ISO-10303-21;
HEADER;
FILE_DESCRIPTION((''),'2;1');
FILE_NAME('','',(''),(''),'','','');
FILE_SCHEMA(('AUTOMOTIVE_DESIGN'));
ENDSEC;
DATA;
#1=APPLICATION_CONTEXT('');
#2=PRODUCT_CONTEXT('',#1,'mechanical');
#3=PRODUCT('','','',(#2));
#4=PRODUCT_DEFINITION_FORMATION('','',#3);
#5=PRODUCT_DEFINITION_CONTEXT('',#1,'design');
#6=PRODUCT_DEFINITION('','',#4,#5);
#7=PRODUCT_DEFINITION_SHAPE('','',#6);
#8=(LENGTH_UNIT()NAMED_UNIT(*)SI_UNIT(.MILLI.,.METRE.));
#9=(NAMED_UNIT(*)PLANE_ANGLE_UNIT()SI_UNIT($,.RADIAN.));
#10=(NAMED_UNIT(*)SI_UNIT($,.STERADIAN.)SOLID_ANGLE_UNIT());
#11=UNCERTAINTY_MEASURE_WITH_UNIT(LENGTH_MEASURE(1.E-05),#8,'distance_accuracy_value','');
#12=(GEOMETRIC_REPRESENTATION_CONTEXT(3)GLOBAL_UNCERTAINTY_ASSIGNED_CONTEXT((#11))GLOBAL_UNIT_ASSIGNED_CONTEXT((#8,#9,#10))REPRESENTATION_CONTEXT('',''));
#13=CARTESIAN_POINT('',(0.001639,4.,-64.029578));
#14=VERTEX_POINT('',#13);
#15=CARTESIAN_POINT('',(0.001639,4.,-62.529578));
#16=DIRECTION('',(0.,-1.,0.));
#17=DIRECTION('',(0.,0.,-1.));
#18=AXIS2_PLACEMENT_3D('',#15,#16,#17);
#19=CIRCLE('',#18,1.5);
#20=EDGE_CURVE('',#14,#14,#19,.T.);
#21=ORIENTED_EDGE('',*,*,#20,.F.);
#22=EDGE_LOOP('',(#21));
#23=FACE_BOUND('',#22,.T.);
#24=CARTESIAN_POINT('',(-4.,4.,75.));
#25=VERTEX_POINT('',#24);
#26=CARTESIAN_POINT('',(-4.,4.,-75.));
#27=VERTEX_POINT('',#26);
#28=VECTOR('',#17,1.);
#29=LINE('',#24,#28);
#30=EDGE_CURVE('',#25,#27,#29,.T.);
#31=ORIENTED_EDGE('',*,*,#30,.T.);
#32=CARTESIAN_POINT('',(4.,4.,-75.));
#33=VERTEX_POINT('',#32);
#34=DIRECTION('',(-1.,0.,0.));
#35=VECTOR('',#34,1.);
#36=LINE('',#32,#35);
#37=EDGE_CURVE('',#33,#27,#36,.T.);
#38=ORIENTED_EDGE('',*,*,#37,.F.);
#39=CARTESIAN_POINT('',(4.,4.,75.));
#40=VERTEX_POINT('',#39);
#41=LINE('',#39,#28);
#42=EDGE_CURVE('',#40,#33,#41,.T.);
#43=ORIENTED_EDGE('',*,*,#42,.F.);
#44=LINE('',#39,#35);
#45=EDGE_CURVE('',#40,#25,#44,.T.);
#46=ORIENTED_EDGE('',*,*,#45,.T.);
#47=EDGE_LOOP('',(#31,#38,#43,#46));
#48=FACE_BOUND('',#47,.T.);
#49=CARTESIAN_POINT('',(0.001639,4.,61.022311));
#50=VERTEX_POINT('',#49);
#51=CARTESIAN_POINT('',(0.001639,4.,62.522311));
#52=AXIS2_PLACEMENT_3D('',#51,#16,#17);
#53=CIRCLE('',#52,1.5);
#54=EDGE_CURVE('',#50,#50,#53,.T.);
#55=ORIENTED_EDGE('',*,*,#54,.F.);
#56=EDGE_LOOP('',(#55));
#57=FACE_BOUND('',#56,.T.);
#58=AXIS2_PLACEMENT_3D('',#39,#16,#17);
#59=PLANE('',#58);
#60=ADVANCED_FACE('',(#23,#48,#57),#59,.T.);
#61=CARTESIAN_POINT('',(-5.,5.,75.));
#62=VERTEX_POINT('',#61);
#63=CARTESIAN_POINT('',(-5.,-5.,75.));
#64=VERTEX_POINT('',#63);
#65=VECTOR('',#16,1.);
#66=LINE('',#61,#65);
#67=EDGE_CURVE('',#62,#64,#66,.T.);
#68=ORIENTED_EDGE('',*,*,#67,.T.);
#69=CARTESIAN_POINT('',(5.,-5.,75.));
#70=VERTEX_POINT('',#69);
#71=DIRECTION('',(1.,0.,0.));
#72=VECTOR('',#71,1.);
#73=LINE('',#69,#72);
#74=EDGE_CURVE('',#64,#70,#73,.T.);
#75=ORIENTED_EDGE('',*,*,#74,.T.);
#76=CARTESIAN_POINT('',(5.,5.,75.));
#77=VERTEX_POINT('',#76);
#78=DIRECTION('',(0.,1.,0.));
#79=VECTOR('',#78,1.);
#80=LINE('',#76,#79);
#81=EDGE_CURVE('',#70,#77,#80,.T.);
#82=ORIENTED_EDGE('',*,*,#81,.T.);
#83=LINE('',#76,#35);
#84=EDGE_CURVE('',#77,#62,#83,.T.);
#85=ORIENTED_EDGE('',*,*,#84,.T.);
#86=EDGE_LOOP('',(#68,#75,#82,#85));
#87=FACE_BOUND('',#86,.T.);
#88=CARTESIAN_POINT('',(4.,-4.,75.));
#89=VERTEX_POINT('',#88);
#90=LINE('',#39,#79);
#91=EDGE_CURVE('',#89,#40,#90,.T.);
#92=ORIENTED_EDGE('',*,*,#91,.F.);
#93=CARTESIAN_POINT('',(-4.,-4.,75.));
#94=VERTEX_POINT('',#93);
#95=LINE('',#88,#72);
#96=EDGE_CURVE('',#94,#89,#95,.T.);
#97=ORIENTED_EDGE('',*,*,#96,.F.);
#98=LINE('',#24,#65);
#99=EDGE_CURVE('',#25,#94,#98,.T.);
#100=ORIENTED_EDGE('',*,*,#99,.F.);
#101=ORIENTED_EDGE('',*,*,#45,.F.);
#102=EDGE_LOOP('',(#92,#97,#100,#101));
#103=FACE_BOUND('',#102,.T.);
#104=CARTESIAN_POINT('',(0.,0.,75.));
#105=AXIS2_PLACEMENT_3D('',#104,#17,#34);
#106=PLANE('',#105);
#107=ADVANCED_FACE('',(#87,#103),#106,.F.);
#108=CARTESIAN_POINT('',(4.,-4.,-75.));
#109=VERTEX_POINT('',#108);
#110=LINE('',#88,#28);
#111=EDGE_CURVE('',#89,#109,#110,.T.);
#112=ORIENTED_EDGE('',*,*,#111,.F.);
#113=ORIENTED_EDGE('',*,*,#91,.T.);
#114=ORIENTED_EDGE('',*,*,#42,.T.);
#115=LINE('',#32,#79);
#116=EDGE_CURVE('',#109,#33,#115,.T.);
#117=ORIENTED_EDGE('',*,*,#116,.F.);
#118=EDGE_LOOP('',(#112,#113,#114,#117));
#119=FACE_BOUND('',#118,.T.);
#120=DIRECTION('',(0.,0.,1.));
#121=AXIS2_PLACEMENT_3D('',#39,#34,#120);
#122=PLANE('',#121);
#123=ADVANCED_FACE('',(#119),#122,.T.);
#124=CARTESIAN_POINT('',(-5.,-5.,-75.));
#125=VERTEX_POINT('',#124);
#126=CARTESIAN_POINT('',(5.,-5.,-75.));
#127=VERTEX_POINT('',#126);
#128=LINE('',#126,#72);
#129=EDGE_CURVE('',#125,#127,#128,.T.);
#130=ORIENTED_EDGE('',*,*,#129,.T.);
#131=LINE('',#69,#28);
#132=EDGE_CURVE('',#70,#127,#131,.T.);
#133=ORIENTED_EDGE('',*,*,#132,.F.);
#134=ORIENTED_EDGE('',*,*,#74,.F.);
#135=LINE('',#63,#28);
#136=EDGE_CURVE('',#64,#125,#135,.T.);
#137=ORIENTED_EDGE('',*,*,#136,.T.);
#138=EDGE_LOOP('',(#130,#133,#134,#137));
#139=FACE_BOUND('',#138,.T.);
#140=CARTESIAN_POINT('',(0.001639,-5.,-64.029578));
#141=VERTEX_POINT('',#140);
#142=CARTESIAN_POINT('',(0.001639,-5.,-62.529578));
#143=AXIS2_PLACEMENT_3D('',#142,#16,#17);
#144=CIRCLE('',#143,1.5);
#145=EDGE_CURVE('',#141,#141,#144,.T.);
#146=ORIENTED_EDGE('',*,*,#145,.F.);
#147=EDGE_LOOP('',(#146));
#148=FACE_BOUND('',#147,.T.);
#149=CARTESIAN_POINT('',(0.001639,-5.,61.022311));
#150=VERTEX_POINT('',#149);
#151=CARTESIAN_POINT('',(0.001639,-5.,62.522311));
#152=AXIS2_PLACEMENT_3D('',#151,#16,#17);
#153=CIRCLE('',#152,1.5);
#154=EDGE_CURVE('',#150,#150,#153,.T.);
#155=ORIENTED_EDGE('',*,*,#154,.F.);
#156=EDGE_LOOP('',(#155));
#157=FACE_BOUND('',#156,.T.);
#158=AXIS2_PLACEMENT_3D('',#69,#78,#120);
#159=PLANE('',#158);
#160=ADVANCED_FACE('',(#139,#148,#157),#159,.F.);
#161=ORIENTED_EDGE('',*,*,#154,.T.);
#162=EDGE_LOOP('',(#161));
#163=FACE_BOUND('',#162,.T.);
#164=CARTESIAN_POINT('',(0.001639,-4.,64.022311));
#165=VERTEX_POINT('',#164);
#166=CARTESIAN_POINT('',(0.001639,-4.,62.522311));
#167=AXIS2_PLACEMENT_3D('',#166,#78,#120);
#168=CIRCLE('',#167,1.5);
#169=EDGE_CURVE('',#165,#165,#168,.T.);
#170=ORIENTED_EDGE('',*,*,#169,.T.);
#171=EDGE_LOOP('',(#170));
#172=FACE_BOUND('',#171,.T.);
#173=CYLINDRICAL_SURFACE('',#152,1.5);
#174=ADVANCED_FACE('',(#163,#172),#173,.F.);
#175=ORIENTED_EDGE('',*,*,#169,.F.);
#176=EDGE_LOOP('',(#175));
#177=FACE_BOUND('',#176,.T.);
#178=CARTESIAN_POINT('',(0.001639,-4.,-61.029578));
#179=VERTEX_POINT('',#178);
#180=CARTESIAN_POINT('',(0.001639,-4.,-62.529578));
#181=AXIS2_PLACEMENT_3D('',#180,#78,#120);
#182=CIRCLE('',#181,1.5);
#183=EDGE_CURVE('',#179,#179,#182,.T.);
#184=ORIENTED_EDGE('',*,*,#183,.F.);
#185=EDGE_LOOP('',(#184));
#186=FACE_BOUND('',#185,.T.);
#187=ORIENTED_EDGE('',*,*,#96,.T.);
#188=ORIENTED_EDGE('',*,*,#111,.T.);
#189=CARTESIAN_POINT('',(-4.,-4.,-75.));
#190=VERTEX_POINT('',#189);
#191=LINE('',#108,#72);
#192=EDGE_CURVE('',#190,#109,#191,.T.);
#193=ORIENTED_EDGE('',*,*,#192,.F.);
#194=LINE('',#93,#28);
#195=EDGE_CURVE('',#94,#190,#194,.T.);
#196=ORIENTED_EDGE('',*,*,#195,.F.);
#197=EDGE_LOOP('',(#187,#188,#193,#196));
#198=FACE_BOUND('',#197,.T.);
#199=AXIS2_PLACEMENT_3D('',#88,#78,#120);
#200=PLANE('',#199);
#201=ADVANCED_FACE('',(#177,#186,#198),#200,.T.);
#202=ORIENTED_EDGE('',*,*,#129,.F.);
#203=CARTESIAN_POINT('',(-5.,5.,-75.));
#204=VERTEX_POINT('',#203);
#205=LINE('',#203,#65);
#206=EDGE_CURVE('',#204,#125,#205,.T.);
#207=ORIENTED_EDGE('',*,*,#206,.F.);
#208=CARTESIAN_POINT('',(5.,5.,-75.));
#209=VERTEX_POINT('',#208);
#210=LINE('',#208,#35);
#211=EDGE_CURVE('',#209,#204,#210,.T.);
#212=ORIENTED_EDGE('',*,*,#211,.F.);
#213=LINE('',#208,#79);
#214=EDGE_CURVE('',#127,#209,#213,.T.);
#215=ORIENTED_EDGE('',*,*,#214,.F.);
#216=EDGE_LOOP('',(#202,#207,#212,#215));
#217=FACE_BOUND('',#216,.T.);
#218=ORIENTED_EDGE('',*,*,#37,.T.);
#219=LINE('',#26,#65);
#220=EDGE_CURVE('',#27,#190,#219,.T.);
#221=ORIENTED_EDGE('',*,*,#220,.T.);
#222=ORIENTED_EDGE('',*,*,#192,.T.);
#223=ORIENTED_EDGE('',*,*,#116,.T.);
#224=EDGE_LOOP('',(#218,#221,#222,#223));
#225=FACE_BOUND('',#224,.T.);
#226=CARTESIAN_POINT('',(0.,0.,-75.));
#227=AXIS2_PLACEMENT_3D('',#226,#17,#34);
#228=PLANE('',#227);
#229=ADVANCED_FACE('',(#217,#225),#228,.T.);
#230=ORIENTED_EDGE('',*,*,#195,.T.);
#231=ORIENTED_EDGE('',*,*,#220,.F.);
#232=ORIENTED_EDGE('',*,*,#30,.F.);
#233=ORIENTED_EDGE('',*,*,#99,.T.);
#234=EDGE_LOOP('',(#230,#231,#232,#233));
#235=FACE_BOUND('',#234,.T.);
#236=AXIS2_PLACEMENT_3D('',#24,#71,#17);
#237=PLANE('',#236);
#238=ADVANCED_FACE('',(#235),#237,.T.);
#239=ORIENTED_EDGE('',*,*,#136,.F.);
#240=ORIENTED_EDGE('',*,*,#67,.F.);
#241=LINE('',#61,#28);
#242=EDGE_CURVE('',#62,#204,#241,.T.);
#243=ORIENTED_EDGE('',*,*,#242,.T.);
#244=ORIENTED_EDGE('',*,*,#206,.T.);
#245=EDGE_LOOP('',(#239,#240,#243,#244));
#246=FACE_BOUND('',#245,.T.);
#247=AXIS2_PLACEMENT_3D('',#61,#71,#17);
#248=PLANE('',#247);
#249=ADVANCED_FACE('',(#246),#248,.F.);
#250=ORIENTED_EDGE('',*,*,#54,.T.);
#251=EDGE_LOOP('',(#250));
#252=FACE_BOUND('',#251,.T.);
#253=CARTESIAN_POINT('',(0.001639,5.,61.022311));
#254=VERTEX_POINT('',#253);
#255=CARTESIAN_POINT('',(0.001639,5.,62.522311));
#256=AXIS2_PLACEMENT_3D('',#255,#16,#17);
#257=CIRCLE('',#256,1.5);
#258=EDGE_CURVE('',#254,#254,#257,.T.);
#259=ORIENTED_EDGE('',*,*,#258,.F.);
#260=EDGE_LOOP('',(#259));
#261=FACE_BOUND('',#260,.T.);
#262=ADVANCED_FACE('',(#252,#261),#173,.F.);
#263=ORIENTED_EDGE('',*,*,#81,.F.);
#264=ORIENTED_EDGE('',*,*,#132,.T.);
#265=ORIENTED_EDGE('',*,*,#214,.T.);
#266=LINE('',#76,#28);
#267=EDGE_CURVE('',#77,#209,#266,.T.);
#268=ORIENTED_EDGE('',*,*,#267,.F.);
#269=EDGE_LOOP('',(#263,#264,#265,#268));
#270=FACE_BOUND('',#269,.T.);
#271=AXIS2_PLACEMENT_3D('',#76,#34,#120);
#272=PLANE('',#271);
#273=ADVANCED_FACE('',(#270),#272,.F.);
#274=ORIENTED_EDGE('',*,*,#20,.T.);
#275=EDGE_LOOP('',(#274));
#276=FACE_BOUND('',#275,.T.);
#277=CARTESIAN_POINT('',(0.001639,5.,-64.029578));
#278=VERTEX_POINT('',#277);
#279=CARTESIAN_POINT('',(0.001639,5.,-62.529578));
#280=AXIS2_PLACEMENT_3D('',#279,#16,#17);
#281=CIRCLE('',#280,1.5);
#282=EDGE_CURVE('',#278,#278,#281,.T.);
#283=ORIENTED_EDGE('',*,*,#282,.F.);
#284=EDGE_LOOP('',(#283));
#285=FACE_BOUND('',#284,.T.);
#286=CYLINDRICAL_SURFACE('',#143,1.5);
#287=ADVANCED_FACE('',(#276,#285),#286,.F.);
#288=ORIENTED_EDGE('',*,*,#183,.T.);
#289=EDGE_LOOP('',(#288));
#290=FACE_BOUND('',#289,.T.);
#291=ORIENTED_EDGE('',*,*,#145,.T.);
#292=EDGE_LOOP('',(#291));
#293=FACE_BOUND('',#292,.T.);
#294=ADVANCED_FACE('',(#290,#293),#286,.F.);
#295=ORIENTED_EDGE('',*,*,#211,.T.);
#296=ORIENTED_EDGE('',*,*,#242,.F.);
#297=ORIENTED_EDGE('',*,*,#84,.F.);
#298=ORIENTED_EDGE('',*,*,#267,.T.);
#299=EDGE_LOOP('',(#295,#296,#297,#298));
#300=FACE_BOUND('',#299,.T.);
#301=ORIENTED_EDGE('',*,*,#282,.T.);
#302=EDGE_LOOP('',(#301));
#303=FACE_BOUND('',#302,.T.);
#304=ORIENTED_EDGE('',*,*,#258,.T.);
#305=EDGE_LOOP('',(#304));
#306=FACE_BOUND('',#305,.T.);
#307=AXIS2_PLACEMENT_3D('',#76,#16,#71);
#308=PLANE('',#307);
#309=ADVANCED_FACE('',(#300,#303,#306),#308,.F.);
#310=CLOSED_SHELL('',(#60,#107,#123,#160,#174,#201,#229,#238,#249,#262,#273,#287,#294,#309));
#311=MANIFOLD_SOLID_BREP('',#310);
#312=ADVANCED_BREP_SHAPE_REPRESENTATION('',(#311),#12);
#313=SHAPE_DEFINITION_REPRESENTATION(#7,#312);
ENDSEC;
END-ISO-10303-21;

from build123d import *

# Parameters (mm, degrees)
SKETCH_1_W      = 10
SKETCH_1_H      = 10
SKETCH_1_W_2    = 8
SKETCH_1_H_2    = 8
EXTRUDE_1_DEPTH = 75
HOLE_WIZARD_1_D = 3


with BuildPart() as part:
    # 草图1 → 凸台-拉伸1 (new, symmetric)
    with BuildSketch(Plane.XY):
        Rectangle(SKETCH_1_W, SKETCH_1_H)
        Rectangle(SKETCH_1_W_2, SKETCH_1_H_2, mode=Mode.SUBTRACT)
    extrude(amount=EXTRUDE_1_DEPTH, both=True)

    # 孔1 (through all)
    with Locations(Plane(origin=(0, -5, 0), x_dir=(-1, 0, 0), z_dir=(0, -1, 0))):
        with Locations((-0.001638583, -62.522310915), (-0.001638583, 62.529577922)):
            Hole(HOLE_WIZARD_1_D / 2)


solid = part.part
